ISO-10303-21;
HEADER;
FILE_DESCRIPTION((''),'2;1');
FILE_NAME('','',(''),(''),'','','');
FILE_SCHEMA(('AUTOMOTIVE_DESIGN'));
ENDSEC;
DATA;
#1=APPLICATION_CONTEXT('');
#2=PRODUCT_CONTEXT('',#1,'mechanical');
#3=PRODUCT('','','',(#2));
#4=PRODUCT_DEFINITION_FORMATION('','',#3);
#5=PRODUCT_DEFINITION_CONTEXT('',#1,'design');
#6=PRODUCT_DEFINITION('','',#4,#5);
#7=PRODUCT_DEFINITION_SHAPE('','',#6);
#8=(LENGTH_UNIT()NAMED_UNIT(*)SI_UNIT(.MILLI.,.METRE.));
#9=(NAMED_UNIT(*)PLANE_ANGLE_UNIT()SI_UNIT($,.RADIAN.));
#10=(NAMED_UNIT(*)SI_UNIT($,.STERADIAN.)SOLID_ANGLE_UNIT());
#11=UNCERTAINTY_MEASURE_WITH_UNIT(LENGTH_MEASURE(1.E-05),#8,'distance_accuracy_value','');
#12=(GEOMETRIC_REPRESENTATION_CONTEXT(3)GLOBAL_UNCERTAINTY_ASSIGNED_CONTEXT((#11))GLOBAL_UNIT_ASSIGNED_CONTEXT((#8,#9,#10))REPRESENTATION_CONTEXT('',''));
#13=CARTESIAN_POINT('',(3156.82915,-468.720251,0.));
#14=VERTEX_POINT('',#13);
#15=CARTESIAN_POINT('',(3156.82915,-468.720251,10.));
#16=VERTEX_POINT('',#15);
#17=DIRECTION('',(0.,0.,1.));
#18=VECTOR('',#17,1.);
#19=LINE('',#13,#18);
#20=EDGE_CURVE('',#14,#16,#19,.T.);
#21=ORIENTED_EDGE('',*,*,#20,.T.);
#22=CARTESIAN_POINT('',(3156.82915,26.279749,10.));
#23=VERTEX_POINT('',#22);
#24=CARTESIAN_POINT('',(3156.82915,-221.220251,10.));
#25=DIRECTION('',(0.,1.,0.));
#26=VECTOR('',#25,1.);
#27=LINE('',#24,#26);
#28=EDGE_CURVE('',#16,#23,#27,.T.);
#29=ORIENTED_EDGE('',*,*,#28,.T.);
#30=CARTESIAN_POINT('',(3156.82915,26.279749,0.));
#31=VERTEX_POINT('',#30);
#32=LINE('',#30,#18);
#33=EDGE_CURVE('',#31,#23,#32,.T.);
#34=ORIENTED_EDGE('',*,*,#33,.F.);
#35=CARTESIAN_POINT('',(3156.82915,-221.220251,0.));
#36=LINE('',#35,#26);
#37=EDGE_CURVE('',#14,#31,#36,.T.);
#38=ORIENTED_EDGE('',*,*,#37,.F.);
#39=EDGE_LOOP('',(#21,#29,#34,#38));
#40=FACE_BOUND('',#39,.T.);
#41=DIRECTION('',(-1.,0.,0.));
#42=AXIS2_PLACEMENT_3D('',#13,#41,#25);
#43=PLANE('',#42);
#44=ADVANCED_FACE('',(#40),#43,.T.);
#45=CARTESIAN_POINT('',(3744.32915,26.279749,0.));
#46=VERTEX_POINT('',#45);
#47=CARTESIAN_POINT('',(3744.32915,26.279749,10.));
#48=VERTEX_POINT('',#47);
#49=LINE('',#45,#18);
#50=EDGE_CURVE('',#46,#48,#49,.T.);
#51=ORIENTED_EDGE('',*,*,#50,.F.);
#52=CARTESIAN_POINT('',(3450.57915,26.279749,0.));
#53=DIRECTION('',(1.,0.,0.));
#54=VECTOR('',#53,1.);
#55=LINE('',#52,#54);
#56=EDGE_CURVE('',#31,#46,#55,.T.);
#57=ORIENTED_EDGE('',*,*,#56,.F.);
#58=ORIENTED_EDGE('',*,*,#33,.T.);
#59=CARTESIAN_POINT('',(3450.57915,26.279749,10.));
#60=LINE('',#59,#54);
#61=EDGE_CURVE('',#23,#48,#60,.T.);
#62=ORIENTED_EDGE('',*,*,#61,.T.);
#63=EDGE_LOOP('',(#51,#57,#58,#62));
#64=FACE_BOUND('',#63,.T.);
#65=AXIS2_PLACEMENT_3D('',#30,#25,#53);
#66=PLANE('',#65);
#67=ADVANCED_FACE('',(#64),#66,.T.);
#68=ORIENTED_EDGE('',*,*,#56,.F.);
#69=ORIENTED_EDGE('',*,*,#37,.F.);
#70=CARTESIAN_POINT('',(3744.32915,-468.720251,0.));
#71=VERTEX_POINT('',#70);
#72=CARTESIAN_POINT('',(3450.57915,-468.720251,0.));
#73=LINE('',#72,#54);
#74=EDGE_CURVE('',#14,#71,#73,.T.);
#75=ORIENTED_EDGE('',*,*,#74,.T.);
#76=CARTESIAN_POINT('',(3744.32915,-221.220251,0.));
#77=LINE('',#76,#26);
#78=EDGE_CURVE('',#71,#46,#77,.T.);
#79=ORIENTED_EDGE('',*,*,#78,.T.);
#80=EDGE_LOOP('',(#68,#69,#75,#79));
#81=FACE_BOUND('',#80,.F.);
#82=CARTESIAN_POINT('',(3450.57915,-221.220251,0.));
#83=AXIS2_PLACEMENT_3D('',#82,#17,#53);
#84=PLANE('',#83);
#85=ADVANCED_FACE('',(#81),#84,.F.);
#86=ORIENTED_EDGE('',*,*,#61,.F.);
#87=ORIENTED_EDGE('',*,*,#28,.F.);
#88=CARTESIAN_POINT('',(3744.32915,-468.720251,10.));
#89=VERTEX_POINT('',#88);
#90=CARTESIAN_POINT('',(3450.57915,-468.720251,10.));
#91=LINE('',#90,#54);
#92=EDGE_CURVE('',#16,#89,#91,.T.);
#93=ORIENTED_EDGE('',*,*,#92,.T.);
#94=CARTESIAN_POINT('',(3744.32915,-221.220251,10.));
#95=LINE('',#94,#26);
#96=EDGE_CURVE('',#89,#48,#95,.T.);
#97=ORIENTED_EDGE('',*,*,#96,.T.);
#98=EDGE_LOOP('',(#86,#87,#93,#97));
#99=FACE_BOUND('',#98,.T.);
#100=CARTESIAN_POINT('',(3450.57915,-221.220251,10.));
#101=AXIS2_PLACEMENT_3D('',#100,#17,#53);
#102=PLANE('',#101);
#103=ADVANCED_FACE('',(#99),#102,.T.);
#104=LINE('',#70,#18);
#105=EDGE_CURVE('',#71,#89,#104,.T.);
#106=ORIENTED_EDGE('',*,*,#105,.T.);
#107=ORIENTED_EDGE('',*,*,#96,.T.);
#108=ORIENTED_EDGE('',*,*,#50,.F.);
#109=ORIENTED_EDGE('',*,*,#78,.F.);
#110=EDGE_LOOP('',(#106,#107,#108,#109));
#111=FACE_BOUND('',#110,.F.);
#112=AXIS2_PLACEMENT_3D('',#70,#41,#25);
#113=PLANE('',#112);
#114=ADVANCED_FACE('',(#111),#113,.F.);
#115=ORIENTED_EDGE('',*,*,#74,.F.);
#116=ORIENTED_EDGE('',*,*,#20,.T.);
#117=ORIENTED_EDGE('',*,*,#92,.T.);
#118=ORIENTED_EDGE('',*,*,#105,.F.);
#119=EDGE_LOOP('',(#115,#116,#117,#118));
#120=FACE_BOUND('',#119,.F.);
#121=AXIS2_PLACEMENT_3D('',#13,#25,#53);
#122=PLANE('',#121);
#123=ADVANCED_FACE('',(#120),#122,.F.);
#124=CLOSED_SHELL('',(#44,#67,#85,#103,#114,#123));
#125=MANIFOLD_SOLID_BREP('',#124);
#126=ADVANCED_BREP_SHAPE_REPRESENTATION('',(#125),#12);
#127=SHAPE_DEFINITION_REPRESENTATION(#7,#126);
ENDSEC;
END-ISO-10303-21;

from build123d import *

# Parameters (mm, degrees)
SKETCH_W  = 587.5
SKETCH_H  = 495
PAD_DEPTH = 10


with BuildPart() as part:
    # Sketch → Pad (new body)
    with BuildSketch(Plane.XY):
        with Locations((3450.57915, -221.220251)):
            Rectangle(SKETCH_W, SKETCH_H)
    extrude(amount=PAD_DEPTH)


solid = part.part
